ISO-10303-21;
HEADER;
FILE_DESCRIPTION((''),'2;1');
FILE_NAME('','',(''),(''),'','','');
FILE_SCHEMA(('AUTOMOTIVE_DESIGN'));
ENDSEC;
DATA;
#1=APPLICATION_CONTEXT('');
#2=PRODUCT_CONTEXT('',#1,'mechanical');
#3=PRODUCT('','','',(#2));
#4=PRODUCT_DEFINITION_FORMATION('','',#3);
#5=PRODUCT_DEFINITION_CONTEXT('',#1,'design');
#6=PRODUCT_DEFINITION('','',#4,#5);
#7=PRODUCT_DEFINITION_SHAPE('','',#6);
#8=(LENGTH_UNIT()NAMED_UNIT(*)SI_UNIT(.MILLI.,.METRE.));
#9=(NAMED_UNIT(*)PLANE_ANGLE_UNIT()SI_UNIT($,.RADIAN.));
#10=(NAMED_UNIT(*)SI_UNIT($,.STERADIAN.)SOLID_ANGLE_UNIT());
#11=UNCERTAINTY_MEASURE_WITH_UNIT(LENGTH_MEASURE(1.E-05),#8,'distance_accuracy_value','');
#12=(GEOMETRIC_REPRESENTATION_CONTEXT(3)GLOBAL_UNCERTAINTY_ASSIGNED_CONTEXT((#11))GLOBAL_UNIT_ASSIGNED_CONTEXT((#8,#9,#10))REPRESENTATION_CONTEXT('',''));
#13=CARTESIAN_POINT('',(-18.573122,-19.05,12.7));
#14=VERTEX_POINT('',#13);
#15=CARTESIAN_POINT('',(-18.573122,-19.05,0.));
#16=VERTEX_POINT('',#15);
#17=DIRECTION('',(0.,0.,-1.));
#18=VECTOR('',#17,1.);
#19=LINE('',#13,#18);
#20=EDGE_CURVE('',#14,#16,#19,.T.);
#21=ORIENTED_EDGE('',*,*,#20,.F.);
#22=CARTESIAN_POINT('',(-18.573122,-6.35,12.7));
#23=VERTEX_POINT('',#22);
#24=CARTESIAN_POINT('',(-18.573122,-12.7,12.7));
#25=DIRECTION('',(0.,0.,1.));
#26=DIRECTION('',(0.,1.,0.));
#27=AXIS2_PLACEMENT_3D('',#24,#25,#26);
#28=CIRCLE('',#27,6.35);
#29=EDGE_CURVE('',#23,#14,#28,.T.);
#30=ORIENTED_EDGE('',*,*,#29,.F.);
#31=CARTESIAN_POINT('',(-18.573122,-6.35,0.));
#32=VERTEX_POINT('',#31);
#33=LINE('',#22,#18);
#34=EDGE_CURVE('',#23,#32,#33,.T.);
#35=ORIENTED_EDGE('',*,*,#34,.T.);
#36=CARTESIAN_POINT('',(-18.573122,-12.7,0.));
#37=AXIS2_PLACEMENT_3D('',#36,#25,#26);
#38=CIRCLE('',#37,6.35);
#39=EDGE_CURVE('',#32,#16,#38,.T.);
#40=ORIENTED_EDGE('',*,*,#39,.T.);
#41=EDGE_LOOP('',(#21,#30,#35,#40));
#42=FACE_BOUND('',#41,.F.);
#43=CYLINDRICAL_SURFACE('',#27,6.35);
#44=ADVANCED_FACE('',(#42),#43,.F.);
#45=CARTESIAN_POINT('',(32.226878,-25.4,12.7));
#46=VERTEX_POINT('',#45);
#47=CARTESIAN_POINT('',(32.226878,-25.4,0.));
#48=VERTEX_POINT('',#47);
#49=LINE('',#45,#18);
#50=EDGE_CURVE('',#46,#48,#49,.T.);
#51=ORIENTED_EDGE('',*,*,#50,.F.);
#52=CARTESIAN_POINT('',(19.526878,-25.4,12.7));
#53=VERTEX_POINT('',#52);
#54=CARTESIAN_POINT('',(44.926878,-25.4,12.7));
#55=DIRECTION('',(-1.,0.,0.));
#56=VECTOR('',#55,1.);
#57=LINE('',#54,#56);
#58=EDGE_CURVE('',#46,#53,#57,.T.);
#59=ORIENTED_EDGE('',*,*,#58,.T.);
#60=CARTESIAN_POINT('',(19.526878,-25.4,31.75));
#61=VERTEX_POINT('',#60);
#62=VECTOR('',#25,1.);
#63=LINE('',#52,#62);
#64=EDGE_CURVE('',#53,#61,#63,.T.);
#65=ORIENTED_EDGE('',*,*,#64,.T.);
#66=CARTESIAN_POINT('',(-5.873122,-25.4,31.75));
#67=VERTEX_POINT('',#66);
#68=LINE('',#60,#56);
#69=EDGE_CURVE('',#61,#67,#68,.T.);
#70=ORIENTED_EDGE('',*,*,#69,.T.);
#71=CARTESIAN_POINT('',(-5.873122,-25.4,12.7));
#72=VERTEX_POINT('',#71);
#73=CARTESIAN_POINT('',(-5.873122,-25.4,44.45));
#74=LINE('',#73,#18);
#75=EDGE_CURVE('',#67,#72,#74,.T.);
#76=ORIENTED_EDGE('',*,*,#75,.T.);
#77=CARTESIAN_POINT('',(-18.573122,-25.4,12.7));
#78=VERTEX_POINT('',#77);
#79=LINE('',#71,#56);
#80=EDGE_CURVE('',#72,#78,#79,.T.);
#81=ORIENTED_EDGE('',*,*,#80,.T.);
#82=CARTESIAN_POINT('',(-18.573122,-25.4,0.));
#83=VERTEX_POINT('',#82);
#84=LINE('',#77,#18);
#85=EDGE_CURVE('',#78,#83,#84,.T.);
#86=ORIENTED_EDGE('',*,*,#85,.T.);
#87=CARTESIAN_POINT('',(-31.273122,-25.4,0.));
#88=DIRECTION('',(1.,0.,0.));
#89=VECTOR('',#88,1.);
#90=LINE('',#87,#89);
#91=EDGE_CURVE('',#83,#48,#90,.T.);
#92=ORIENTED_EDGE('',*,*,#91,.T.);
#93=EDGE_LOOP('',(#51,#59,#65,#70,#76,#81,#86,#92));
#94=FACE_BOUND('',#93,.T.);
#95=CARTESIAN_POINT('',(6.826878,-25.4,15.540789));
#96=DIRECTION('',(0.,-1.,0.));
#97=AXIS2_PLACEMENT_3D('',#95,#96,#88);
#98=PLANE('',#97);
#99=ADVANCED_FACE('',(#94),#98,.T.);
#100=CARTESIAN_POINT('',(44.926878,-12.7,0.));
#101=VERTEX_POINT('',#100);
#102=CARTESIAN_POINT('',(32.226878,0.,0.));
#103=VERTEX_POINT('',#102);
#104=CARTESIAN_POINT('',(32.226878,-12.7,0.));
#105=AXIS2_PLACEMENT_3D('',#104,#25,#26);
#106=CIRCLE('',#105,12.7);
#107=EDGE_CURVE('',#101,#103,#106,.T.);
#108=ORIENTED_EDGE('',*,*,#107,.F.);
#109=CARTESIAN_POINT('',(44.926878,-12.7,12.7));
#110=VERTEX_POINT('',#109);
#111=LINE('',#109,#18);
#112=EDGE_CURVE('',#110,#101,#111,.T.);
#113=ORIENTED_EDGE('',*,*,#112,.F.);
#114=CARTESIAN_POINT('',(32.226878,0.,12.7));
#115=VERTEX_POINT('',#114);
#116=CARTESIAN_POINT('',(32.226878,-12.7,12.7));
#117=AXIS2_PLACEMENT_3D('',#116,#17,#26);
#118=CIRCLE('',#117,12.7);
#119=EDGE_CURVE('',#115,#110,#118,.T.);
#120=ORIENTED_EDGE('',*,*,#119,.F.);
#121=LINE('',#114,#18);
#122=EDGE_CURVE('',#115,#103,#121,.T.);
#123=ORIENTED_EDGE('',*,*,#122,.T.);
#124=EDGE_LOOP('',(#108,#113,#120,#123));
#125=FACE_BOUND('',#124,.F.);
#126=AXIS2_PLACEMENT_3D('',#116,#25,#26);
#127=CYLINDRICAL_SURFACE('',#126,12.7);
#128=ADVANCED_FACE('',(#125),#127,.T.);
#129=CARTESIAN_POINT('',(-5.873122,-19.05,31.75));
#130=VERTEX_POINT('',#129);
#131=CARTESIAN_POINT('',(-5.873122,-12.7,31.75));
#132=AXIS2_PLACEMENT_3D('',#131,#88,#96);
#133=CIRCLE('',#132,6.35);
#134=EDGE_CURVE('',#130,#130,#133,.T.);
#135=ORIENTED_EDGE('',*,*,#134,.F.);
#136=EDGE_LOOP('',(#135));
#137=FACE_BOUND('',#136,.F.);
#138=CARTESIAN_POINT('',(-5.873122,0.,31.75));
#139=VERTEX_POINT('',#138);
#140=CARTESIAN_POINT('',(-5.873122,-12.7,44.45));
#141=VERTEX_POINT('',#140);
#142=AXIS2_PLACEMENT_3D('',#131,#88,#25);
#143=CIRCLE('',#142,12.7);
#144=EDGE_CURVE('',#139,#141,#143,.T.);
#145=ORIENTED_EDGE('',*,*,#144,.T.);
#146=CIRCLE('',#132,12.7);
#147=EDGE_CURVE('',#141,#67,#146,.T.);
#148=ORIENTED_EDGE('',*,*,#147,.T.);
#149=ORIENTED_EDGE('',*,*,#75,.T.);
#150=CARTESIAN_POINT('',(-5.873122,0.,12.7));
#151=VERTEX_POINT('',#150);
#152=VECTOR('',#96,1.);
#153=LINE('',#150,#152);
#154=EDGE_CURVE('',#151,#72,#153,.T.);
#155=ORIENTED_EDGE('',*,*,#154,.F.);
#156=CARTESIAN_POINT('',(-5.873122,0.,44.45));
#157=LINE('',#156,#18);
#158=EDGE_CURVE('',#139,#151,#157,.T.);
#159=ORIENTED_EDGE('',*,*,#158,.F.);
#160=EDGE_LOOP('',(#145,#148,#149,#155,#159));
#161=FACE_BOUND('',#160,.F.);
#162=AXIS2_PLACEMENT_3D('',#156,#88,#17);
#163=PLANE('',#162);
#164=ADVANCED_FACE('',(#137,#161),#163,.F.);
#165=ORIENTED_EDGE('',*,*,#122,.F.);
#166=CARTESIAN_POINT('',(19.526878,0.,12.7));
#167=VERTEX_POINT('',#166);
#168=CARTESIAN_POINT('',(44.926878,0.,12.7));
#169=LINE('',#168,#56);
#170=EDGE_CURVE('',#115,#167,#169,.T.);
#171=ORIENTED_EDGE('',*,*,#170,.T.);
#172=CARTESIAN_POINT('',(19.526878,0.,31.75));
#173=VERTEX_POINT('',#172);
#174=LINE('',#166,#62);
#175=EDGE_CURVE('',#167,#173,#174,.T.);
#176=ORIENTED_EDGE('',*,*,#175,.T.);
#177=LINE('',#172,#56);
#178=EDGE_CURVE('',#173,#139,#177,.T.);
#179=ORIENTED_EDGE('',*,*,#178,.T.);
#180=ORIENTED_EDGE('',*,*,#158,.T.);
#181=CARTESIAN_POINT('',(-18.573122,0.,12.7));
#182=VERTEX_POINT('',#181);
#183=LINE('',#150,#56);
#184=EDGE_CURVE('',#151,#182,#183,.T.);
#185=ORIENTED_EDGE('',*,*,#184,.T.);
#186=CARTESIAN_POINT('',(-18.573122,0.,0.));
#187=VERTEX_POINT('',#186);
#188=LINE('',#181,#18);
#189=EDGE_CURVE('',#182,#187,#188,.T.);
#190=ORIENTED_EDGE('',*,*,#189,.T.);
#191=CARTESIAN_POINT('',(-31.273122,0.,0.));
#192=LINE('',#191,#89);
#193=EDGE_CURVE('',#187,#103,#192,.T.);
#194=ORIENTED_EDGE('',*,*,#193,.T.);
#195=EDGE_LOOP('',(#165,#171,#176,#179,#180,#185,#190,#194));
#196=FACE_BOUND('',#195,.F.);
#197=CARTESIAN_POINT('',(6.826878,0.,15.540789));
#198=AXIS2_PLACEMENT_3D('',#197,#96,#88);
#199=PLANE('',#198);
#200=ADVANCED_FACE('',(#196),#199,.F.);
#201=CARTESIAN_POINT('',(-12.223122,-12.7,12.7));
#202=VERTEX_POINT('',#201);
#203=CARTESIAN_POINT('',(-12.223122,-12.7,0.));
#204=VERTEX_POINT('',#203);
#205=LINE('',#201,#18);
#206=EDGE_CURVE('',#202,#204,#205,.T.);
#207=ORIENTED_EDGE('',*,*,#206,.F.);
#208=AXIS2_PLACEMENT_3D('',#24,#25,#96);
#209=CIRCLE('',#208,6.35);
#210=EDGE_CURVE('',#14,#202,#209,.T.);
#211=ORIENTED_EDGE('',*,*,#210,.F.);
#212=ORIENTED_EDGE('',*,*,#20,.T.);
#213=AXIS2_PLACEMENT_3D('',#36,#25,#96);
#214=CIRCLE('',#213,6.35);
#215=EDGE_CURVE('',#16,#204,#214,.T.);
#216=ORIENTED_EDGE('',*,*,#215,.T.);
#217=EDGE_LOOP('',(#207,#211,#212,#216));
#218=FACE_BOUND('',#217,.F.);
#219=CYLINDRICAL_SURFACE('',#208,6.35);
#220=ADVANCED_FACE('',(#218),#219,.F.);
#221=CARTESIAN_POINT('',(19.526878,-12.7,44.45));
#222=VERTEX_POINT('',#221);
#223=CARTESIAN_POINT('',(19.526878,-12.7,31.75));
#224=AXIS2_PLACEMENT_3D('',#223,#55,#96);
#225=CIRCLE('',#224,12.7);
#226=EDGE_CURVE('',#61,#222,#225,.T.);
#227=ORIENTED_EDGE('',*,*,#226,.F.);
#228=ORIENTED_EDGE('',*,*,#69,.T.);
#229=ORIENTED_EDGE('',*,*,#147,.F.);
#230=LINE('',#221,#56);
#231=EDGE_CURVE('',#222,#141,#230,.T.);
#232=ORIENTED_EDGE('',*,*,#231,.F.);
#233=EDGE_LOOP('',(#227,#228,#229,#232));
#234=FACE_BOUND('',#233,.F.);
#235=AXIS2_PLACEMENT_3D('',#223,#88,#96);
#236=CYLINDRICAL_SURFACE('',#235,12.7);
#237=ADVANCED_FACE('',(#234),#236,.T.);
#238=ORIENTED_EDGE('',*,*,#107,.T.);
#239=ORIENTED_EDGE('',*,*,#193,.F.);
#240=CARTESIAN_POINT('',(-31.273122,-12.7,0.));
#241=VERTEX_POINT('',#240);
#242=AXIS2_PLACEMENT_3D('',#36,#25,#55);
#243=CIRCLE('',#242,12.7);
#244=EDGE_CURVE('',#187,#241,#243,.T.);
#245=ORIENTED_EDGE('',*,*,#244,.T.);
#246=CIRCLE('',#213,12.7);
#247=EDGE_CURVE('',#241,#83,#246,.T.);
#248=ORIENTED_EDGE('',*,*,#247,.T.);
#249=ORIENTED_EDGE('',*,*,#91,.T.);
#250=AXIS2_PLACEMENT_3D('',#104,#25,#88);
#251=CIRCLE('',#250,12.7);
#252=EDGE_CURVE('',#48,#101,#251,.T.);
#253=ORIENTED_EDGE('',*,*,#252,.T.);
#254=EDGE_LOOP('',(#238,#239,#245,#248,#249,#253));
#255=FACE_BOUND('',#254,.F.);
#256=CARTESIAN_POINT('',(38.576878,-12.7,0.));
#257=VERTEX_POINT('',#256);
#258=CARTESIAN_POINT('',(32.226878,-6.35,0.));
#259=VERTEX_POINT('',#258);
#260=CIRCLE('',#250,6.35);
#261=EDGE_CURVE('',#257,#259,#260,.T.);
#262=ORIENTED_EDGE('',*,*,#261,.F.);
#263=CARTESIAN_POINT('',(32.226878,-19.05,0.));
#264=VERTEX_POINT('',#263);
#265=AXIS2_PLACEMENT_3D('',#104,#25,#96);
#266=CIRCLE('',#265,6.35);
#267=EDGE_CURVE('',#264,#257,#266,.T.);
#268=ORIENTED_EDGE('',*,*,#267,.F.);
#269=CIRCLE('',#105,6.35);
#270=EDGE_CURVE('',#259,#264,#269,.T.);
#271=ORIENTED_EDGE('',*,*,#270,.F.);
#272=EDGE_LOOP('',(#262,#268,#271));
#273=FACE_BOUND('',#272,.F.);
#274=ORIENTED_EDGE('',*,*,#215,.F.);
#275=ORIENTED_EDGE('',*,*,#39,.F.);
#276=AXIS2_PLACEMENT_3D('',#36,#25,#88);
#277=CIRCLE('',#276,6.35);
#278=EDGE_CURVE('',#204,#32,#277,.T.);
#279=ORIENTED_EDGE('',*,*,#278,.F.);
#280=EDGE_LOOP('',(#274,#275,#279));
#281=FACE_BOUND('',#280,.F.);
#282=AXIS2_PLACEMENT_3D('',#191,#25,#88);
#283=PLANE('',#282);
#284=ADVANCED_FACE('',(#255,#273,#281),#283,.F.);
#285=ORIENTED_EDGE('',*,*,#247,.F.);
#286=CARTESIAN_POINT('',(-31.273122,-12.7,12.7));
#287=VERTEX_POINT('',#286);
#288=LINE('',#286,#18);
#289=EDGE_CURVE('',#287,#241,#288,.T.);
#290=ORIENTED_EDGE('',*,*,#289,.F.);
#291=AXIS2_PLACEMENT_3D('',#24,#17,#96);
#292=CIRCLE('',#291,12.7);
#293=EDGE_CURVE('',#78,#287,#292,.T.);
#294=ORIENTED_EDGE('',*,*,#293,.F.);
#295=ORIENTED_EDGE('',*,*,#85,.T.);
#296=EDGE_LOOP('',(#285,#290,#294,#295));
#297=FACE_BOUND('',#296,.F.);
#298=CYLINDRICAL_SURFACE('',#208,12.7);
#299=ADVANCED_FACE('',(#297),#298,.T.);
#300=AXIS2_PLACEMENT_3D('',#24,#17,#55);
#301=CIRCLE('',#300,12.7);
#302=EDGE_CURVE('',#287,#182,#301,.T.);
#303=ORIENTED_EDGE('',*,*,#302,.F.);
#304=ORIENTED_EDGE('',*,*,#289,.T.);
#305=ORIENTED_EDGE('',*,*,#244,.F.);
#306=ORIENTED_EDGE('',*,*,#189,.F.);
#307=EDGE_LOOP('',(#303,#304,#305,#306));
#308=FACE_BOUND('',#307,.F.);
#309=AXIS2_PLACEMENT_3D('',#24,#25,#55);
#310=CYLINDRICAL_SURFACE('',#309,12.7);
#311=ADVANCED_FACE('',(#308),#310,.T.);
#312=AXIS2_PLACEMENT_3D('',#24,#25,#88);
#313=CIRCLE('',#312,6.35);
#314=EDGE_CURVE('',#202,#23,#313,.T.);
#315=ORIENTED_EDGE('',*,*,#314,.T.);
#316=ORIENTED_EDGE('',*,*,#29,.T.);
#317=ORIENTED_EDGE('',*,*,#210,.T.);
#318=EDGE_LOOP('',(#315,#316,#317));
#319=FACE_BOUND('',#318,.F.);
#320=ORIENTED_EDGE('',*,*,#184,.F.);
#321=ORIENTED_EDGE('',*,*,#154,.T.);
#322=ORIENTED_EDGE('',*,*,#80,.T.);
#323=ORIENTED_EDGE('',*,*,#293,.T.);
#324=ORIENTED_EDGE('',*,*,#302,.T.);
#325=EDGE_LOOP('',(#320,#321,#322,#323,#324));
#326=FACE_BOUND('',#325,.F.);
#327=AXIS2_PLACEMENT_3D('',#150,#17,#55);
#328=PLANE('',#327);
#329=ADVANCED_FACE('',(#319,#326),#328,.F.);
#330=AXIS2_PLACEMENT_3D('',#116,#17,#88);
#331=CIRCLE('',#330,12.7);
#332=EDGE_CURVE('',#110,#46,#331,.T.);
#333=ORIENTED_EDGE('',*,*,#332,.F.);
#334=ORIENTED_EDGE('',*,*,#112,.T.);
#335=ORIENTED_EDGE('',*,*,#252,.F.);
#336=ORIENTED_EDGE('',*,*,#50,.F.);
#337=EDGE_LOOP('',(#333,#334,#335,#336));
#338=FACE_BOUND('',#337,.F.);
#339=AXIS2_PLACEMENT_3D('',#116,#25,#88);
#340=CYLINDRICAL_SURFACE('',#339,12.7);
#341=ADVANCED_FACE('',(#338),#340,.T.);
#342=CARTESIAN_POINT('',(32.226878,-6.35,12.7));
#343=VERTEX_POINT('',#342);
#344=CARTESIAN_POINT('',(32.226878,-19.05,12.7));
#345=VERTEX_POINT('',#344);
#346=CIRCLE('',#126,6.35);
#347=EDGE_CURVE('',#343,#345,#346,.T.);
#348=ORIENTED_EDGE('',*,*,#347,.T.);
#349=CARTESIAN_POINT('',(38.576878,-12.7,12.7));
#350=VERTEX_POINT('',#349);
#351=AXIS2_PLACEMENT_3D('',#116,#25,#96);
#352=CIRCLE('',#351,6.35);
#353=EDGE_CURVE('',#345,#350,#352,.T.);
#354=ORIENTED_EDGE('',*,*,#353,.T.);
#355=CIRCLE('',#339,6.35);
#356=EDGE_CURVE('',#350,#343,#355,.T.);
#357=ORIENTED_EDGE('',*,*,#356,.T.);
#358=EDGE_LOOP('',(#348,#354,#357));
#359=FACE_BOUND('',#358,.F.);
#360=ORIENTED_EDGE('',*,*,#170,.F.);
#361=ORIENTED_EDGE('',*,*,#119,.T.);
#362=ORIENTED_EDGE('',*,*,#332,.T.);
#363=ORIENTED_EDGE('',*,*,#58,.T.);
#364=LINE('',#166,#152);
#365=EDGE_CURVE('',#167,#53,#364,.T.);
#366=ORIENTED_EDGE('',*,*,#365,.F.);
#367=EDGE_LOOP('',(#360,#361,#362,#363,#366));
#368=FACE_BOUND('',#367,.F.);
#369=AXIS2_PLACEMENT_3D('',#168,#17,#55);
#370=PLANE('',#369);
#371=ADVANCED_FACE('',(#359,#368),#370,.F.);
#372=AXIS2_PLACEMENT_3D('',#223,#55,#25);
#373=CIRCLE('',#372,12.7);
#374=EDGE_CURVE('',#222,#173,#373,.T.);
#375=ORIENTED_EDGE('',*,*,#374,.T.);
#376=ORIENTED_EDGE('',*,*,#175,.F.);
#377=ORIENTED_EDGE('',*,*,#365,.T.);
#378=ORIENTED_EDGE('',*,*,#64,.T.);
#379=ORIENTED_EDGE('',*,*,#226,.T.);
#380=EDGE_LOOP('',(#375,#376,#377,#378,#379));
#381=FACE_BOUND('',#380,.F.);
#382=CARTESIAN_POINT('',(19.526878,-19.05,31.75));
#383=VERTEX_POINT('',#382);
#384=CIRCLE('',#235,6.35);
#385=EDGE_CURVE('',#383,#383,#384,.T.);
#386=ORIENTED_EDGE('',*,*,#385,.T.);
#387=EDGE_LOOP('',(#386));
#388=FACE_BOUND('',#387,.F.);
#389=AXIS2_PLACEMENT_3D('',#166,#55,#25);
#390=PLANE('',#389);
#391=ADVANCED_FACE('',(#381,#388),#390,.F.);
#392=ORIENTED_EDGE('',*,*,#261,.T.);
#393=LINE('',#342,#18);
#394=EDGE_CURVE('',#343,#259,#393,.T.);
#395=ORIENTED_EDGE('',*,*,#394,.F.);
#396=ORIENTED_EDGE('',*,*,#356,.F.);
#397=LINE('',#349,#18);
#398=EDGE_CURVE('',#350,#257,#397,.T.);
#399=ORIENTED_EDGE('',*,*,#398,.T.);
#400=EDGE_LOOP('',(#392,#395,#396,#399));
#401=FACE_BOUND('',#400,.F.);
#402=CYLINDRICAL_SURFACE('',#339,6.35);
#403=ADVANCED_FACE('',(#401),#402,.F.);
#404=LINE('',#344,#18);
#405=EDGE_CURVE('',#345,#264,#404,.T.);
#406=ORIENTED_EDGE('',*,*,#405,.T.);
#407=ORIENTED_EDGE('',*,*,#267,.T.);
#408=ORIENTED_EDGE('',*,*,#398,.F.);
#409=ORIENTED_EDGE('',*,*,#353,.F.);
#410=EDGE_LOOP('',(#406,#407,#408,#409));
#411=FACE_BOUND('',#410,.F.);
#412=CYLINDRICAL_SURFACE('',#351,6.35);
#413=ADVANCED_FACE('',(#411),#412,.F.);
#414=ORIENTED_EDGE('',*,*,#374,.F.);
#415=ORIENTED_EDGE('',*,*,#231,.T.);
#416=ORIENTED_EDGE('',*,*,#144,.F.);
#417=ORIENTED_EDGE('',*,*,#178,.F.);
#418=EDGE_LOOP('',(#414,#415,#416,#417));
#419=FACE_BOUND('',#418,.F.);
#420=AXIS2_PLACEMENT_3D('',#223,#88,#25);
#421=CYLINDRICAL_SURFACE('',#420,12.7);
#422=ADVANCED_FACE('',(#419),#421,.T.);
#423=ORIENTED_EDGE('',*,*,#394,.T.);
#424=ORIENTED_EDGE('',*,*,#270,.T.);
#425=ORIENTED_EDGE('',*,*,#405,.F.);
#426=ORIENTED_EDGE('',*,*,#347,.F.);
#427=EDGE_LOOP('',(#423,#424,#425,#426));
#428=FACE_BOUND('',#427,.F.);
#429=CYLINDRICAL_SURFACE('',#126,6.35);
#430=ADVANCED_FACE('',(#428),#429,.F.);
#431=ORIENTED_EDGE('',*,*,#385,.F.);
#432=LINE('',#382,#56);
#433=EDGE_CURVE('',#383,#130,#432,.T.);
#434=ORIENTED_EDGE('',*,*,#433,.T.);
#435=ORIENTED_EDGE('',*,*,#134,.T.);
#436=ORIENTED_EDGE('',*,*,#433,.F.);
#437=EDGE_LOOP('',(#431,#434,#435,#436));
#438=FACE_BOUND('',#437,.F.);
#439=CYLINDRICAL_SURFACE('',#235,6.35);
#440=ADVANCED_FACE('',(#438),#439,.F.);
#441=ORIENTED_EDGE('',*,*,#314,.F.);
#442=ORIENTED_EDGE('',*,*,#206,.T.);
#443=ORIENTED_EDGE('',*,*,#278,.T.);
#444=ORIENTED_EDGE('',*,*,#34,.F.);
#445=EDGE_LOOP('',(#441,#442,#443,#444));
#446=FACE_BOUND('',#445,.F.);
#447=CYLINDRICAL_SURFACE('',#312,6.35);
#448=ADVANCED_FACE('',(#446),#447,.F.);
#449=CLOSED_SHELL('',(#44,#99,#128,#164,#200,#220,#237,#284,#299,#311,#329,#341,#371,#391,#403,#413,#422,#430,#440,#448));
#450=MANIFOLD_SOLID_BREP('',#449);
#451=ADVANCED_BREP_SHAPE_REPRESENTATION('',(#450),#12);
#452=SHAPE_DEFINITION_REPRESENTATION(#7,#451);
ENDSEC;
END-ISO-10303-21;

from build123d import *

# Parameters (mm, degrees)
F1_DEPTH = 25.4
F3_DEPTH = 12.701
F5_DEPTH = 12.701
F7_DEPTH = 50.801


with BuildPart() as f1:
    # F0 (on Front) → F1 (new body)
    with BuildSketch(Plane.XZ):
        Polygon((-31.273121752, 12.7), (-31.273121752, 0), (44.926878248, 0), (44.926878248, 12.7), (19.526878248, 12.7), (19.526878248, 44.45), (-5.873121752, 44.45), (-5.873121752, 12.7), align=None)
    extrude(amount=F1_DEPTH)

    # F2 (on face) → F3 (cut, through all)
    with BuildSketch(Plane.XY.offset(12.7)):
        with BuildLine():
            ThreePointArc((38.576878248, -12.7), (36.7170063085, -8.2098719395), (32.226878248, -6.35))
            Line((32.226878248, -6.35), (32.226878248, -19.05))
            ThreePointArc((32.226878248, -19.05), (36.7170063085, -17.1901280605), (38.576878248, -12.7))
        make_face()
        with BuildLine():
            Line((32.226878248, -19.05), (32.226878248, -6.35))
            ThreePointArc((32.226878248, -6.35), (25.876878248, -12.7), (32.226878248, -19.05))
        make_face()
        with BuildLine():
            Line((44.926878248, 0), (32.226878248, 0))
            ThreePointArc((32.226878248, 0), (41.2071343691, -3.7197438789), (44.926878248, -12.7))
            Line((44.926878248, -12.7), (44.926878248, 0))
        make_face()
        with BuildLine():
            Line((44.926878248, -25.4), (44.926878248, -12.7))
            ThreePointArc((44.926878248, -12.7), (41.2071343691, -21.6802561211), (32.226878248, -25.4))
            Line((32.226878248, -25.4), (44.926878248, -25.4))
        make_face()
    extrude(amount=-F3_DEPTH, mode=Mode.SUBTRACT)

    # F4 (on face) → F5 (cut, through all)
    with BuildSketch(Plane.XY.offset(12.7)):
        with BuildLine():
            ThreePointArc((-12.223121752, -12.7), (-14.0829936915, -8.2098719395), (-18.573121752, -6.35))
            Line((-18.573121752, -6.35), (-18.573121752, -19.05))
            ThreePointArc((-18.573121752, -19.05), (-14.0829936915, -17.1901280605), (-12.223121752, -12.7))
        make_face()
        with BuildLine():
            Line((-18.573121752, -19.05), (-18.573121752, -6.35))
            ThreePointArc((-18.573121752, -6.35), (-24.923121752, -12.7), (-18.573121752, -19.05))
        make_face()
        with BuildLine():
            ThreePointArc((-31.273121752, -12.7), (-27.5533778731, -3.7197438789), (-18.573121752, 0))
            Line((-18.573121752, 0), (-31.273121752, 0))
            Line((-31.273121752, 0), (-31.273121752, -12.7))
        make_face()
        with BuildLine():
            ThreePointArc((-18.573121752, -25.4), (-27.5533778731, -21.6802561211), (-31.273121752, -12.7))
            Line((-31.273121752, -12.7), (-31.273121752, -25.4))
            Line((-31.273121752, -25.4), (-18.573121752, -25.4))
        make_face()
    extrude(amount=-F5_DEPTH, mode=Mode.SUBTRACT)

    # F6 (on face) → F7 (cut, through all)
    with BuildSketch(Plane.YZ.offset(19.526878248)):
        with BuildLine():
            ThreePointArc((-25.4, 31.75), (-21.6802561211, 40.7302561211), (-12.7, 44.45))
            Line((-12.7, 44.45), (-25.4, 44.45))
            Line((-25.4, 44.45), (-25.4, 31.75))
        make_face()
        with BuildLine():
            ThreePointArc((-12.7, 44.45), (-3.7197438789, 40.7302561211), (0, 31.75))
            Line((0, 31.75), (0, 44.45))
            Line((0, 44.45), (-12.7, 44.45))
        make_face()
        with BuildLine():
            Line((-19.05, 31.75), (-6.35, 31.75))
            ThreePointArc((-6.35, 31.75), (-12.7, 38.1), (-19.05, 31.75))
        make_face()
        with BuildLine():
            ThreePointArc((-19.05, 31.75), (-12.7, 25.4), (-6.35, 31.75))
            Line((-6.35, 31.75), (-19.05, 31.75))
        make_face()
    extrude(amount=-F7_DEPTH, mode=Mode.SUBTRACT)


solid = f1.part
